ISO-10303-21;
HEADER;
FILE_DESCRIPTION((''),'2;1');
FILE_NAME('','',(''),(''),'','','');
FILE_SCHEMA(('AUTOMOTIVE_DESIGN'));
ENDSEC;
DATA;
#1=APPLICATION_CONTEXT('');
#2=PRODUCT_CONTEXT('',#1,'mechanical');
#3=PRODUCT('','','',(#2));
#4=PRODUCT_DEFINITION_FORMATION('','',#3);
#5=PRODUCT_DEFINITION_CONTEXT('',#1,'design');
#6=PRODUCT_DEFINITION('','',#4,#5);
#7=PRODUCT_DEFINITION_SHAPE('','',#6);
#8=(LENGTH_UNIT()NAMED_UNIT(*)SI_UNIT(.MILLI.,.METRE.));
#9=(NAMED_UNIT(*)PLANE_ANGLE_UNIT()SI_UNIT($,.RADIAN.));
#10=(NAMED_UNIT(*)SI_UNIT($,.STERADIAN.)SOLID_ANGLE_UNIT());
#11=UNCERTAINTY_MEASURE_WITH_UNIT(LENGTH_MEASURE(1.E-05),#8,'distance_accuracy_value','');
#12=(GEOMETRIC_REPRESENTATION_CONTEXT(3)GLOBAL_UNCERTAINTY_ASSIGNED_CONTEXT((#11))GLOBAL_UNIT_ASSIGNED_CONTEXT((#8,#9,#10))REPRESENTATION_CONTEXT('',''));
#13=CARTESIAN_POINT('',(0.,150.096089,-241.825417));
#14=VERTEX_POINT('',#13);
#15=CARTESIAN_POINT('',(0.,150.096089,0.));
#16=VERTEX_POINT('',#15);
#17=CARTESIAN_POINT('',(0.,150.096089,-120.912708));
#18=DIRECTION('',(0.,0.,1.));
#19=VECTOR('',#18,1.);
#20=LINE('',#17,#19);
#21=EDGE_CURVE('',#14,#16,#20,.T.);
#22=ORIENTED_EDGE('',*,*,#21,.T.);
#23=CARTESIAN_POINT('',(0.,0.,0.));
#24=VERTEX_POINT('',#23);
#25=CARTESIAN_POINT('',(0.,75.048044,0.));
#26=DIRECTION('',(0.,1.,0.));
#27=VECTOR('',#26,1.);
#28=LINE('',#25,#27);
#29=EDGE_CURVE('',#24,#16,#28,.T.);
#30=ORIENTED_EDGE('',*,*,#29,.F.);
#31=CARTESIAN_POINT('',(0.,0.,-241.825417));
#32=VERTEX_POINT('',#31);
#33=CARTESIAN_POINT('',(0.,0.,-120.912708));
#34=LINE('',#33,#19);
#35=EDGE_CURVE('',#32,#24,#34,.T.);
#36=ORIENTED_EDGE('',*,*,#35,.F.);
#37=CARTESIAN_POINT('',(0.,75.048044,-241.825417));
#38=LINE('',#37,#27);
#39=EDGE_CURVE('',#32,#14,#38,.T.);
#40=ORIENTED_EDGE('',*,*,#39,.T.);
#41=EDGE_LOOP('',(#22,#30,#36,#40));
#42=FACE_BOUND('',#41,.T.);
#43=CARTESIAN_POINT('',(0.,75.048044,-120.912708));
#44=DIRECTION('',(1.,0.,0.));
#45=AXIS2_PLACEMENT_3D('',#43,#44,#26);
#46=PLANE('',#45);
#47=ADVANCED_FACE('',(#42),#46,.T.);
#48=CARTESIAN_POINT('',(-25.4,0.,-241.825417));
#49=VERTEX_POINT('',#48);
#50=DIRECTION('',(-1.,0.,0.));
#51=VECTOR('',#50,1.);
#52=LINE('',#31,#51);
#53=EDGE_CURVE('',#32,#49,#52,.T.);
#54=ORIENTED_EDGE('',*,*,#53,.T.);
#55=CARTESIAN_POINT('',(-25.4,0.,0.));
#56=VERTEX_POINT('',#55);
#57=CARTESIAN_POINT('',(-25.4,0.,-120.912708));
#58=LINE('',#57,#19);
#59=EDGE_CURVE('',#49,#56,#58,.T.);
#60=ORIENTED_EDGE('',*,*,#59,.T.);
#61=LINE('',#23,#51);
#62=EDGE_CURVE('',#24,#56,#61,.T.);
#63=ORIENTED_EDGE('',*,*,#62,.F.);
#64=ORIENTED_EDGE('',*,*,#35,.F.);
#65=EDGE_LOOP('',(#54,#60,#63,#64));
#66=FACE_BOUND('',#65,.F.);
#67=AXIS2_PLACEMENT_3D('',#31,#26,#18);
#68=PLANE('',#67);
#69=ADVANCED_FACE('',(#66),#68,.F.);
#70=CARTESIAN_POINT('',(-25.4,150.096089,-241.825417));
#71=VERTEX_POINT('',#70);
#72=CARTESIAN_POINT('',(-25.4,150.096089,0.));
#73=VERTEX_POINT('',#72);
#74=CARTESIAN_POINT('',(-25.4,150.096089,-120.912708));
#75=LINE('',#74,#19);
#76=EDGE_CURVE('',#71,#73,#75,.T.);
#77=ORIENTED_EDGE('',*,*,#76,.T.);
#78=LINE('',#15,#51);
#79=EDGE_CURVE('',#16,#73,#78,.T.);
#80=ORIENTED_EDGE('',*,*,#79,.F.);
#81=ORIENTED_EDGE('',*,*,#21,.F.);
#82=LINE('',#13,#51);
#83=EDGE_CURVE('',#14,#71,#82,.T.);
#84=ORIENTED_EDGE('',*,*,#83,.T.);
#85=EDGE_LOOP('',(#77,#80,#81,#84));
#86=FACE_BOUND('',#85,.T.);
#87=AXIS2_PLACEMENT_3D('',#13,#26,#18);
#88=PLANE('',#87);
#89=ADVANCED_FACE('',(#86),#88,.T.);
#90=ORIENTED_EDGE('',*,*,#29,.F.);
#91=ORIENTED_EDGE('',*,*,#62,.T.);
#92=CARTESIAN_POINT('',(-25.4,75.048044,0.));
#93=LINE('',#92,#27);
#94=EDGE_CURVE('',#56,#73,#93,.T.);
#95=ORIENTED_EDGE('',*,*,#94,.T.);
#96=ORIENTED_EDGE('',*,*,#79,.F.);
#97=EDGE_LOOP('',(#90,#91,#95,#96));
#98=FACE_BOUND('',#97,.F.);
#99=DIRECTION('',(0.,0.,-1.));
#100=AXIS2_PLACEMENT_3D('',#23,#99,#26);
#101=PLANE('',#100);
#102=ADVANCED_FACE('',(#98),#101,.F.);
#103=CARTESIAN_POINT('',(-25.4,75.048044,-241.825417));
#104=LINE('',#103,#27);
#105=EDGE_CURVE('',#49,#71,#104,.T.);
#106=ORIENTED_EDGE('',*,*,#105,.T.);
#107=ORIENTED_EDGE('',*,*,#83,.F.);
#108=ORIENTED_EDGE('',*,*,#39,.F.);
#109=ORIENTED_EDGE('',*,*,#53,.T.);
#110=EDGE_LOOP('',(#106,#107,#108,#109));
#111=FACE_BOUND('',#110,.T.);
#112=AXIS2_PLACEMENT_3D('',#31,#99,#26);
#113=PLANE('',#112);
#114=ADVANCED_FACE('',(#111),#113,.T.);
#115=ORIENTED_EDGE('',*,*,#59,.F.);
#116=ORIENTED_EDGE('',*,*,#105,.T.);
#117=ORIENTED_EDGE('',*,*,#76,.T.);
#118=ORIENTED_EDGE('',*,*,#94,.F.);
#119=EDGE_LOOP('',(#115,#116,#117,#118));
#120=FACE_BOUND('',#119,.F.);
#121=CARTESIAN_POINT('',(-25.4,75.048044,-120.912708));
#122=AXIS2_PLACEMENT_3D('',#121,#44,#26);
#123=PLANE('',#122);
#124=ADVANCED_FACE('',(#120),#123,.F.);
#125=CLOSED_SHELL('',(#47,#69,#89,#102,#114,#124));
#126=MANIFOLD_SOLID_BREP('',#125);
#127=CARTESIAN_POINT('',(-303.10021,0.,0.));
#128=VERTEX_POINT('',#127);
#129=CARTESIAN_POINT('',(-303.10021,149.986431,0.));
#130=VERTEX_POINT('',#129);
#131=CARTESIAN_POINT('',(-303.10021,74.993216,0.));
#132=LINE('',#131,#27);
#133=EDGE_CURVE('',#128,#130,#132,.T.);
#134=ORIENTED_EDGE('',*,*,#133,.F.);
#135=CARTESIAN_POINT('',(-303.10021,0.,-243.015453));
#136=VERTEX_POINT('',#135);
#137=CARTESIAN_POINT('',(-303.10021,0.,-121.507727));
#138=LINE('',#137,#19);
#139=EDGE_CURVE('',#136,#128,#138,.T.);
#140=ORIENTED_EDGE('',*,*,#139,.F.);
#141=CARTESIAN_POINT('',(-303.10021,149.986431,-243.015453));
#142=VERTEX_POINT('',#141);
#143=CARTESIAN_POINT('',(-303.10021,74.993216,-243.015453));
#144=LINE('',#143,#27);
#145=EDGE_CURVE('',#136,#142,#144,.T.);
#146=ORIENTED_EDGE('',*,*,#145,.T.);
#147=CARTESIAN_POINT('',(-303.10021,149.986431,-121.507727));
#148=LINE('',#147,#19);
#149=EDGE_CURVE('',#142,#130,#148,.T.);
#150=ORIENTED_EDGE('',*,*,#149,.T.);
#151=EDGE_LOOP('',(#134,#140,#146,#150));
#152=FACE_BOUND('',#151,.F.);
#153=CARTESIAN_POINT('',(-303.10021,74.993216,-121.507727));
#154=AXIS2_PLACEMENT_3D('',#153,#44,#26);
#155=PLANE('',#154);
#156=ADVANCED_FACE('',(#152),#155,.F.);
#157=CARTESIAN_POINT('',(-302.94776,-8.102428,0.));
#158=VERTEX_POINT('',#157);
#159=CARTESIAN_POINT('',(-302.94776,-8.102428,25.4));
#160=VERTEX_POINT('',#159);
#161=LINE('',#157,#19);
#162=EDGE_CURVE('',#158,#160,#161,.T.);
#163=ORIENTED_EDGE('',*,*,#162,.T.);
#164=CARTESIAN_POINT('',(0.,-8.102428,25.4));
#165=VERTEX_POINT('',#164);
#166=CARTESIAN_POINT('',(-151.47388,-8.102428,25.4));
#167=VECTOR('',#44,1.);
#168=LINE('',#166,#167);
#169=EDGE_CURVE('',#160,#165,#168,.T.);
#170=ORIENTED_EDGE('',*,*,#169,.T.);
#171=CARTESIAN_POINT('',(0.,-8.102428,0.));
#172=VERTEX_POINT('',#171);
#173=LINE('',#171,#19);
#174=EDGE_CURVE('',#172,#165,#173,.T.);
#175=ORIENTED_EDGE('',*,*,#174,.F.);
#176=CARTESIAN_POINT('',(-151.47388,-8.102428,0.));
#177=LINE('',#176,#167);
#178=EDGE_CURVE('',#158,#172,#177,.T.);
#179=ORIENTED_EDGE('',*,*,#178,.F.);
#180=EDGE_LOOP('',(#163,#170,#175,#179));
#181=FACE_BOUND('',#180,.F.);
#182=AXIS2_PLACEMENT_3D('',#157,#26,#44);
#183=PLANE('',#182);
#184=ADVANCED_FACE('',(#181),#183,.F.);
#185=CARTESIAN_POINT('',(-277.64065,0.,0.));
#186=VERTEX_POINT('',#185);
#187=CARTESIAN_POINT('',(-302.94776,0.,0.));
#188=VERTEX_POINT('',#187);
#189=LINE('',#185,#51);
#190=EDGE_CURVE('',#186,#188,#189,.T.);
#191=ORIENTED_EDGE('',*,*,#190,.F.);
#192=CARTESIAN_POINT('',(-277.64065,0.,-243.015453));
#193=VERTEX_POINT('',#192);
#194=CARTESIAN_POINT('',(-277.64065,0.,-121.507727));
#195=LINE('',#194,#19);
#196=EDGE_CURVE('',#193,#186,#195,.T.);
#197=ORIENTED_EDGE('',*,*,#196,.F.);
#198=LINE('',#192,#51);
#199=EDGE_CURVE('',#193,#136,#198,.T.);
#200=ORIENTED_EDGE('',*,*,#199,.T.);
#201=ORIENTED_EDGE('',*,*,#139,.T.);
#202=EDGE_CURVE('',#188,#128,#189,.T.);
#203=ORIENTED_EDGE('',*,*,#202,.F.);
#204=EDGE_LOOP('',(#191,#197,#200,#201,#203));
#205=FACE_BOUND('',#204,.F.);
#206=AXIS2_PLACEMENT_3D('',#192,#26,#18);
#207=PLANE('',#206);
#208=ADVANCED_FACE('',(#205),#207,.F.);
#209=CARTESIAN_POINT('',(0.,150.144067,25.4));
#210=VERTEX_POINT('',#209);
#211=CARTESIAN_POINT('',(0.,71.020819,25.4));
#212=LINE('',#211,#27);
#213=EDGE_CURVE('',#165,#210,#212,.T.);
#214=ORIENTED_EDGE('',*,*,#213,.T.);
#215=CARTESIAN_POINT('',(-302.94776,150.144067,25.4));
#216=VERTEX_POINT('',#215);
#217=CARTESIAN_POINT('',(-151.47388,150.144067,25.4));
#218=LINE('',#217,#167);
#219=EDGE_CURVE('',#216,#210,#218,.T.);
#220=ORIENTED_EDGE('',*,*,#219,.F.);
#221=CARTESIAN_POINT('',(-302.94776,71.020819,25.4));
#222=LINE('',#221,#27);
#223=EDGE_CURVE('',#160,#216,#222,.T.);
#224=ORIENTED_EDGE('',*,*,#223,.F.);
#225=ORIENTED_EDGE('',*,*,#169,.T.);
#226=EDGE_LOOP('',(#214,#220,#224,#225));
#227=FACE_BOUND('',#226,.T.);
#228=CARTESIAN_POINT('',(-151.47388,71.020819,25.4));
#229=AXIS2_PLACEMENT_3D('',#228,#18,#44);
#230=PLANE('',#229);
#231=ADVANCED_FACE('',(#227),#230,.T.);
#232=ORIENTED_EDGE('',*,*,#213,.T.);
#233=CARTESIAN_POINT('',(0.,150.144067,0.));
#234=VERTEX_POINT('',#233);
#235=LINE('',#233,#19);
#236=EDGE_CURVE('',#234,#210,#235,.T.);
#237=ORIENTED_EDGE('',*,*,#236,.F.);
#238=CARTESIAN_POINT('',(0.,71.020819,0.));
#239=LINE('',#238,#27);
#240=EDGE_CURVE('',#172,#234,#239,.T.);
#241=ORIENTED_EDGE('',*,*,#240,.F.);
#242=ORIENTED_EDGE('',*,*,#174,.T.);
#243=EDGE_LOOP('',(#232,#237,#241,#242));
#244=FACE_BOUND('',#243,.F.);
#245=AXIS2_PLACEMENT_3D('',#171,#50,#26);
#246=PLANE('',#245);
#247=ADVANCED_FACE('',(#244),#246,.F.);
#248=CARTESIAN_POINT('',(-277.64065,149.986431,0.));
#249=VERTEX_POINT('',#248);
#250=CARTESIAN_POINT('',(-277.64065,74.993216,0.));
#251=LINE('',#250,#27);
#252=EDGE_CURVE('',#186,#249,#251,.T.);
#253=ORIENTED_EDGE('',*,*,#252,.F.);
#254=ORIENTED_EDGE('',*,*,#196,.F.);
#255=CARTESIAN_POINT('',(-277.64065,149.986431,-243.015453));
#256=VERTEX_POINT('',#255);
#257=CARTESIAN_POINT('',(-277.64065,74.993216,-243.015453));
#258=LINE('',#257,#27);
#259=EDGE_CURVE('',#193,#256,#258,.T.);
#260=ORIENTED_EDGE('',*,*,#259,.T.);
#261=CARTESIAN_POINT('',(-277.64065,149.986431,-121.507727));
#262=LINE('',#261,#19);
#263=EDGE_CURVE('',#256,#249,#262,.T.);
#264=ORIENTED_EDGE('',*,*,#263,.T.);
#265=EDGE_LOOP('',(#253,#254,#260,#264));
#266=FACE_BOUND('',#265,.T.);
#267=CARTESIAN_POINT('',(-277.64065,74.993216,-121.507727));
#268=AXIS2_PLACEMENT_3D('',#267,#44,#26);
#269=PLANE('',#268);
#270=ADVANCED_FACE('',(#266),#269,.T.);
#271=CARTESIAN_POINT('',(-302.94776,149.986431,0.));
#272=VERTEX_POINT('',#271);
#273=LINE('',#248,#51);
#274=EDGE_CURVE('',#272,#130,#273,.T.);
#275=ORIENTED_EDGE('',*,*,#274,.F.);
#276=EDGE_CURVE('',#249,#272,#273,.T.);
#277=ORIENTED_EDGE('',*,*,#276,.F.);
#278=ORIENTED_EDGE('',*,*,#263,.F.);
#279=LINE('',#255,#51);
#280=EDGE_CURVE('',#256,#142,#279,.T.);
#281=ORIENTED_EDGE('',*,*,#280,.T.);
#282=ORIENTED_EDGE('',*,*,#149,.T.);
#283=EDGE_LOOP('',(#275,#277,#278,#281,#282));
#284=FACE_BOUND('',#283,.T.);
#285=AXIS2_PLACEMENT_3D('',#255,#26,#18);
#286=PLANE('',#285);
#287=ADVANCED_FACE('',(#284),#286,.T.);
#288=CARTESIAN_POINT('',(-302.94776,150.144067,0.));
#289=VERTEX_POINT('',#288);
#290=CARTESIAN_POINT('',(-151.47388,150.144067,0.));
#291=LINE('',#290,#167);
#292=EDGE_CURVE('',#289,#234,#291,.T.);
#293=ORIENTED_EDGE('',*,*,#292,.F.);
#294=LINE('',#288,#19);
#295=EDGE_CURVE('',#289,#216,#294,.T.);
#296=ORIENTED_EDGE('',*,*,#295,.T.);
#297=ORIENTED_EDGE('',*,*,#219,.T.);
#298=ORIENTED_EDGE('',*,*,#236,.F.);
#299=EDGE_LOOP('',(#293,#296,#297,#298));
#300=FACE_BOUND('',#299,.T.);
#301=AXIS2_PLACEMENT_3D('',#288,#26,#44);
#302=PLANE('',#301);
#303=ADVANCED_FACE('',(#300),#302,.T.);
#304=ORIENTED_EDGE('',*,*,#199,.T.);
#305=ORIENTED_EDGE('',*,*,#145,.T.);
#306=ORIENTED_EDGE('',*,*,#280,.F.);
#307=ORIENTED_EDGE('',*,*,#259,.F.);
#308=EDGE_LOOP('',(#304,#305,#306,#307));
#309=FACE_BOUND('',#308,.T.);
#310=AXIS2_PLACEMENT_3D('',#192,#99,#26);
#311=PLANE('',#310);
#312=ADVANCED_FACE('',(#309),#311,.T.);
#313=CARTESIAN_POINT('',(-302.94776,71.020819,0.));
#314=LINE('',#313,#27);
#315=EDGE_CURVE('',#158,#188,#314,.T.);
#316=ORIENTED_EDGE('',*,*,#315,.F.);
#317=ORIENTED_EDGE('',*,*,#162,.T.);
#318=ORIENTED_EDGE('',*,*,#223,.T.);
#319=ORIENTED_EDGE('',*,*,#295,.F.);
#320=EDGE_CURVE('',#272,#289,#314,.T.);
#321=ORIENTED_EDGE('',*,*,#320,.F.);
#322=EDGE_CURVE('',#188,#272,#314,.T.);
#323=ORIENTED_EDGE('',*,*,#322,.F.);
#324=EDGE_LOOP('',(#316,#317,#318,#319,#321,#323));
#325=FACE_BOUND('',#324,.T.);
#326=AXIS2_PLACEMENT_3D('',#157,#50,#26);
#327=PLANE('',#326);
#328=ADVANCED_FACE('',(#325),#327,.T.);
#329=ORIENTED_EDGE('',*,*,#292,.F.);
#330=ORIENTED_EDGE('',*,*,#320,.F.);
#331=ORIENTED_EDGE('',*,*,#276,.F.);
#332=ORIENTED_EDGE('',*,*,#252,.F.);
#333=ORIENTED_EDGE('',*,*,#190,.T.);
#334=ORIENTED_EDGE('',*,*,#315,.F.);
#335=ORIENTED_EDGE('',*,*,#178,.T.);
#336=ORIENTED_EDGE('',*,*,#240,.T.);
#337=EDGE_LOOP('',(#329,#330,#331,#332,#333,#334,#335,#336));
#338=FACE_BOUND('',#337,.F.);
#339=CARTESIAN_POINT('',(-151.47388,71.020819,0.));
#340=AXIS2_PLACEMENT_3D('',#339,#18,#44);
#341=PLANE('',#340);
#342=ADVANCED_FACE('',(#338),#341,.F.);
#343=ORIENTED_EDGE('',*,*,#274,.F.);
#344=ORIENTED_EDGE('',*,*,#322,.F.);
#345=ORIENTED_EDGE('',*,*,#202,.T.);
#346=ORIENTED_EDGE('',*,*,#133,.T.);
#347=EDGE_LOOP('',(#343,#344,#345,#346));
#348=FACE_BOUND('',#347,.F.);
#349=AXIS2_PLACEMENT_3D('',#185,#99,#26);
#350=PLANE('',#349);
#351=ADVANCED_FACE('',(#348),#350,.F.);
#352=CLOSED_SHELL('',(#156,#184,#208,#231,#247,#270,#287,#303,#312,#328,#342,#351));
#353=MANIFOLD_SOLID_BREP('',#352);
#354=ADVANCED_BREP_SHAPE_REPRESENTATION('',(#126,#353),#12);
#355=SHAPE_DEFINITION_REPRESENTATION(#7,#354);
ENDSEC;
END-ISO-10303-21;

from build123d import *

# Parameters (mm, degrees)
F0_W     = 302.9477596283
F0_H     = 158.2464948297
F1_DEPTH = 25.4
F2_W     = 150.0960886478
F2_H     = 241.8254166842
F3_DEPTH = 25.4
F5_START = -277.64065
F4_W     = 149.9864310026
F4_H     = 243.0154532194
F5_DEPTH = 25.45956


with BuildPart() as f1:
    # F0 (on Top) → F1 (new body)
    with BuildSketch(Plane.XY):
        with Locations((-151.4738798141, 71.0208192468)):
            Rectangle(F0_W, F0_H)
    extrude(amount=F1_DEPTH)

    # F4 (on Right) → F5 (join)
    with BuildSketch(Plane.YZ.offset(F5_START)):
        with Locations((74.9932155013, -121.5077266097)):
            Rectangle(F4_W, F4_H)
    extrude(amount=-F5_DEPTH)


with BuildPart() as f3:
    # F2 (on Right) → F3 (new body)
    with BuildSketch(Plane.YZ):
        with Locations((75.0480443239, -120.9127083421)):
            Rectangle(F2_W, F2_H)
    extrude(amount=-F3_DEPTH)


solid = Compound([f1.part, f3.part])
